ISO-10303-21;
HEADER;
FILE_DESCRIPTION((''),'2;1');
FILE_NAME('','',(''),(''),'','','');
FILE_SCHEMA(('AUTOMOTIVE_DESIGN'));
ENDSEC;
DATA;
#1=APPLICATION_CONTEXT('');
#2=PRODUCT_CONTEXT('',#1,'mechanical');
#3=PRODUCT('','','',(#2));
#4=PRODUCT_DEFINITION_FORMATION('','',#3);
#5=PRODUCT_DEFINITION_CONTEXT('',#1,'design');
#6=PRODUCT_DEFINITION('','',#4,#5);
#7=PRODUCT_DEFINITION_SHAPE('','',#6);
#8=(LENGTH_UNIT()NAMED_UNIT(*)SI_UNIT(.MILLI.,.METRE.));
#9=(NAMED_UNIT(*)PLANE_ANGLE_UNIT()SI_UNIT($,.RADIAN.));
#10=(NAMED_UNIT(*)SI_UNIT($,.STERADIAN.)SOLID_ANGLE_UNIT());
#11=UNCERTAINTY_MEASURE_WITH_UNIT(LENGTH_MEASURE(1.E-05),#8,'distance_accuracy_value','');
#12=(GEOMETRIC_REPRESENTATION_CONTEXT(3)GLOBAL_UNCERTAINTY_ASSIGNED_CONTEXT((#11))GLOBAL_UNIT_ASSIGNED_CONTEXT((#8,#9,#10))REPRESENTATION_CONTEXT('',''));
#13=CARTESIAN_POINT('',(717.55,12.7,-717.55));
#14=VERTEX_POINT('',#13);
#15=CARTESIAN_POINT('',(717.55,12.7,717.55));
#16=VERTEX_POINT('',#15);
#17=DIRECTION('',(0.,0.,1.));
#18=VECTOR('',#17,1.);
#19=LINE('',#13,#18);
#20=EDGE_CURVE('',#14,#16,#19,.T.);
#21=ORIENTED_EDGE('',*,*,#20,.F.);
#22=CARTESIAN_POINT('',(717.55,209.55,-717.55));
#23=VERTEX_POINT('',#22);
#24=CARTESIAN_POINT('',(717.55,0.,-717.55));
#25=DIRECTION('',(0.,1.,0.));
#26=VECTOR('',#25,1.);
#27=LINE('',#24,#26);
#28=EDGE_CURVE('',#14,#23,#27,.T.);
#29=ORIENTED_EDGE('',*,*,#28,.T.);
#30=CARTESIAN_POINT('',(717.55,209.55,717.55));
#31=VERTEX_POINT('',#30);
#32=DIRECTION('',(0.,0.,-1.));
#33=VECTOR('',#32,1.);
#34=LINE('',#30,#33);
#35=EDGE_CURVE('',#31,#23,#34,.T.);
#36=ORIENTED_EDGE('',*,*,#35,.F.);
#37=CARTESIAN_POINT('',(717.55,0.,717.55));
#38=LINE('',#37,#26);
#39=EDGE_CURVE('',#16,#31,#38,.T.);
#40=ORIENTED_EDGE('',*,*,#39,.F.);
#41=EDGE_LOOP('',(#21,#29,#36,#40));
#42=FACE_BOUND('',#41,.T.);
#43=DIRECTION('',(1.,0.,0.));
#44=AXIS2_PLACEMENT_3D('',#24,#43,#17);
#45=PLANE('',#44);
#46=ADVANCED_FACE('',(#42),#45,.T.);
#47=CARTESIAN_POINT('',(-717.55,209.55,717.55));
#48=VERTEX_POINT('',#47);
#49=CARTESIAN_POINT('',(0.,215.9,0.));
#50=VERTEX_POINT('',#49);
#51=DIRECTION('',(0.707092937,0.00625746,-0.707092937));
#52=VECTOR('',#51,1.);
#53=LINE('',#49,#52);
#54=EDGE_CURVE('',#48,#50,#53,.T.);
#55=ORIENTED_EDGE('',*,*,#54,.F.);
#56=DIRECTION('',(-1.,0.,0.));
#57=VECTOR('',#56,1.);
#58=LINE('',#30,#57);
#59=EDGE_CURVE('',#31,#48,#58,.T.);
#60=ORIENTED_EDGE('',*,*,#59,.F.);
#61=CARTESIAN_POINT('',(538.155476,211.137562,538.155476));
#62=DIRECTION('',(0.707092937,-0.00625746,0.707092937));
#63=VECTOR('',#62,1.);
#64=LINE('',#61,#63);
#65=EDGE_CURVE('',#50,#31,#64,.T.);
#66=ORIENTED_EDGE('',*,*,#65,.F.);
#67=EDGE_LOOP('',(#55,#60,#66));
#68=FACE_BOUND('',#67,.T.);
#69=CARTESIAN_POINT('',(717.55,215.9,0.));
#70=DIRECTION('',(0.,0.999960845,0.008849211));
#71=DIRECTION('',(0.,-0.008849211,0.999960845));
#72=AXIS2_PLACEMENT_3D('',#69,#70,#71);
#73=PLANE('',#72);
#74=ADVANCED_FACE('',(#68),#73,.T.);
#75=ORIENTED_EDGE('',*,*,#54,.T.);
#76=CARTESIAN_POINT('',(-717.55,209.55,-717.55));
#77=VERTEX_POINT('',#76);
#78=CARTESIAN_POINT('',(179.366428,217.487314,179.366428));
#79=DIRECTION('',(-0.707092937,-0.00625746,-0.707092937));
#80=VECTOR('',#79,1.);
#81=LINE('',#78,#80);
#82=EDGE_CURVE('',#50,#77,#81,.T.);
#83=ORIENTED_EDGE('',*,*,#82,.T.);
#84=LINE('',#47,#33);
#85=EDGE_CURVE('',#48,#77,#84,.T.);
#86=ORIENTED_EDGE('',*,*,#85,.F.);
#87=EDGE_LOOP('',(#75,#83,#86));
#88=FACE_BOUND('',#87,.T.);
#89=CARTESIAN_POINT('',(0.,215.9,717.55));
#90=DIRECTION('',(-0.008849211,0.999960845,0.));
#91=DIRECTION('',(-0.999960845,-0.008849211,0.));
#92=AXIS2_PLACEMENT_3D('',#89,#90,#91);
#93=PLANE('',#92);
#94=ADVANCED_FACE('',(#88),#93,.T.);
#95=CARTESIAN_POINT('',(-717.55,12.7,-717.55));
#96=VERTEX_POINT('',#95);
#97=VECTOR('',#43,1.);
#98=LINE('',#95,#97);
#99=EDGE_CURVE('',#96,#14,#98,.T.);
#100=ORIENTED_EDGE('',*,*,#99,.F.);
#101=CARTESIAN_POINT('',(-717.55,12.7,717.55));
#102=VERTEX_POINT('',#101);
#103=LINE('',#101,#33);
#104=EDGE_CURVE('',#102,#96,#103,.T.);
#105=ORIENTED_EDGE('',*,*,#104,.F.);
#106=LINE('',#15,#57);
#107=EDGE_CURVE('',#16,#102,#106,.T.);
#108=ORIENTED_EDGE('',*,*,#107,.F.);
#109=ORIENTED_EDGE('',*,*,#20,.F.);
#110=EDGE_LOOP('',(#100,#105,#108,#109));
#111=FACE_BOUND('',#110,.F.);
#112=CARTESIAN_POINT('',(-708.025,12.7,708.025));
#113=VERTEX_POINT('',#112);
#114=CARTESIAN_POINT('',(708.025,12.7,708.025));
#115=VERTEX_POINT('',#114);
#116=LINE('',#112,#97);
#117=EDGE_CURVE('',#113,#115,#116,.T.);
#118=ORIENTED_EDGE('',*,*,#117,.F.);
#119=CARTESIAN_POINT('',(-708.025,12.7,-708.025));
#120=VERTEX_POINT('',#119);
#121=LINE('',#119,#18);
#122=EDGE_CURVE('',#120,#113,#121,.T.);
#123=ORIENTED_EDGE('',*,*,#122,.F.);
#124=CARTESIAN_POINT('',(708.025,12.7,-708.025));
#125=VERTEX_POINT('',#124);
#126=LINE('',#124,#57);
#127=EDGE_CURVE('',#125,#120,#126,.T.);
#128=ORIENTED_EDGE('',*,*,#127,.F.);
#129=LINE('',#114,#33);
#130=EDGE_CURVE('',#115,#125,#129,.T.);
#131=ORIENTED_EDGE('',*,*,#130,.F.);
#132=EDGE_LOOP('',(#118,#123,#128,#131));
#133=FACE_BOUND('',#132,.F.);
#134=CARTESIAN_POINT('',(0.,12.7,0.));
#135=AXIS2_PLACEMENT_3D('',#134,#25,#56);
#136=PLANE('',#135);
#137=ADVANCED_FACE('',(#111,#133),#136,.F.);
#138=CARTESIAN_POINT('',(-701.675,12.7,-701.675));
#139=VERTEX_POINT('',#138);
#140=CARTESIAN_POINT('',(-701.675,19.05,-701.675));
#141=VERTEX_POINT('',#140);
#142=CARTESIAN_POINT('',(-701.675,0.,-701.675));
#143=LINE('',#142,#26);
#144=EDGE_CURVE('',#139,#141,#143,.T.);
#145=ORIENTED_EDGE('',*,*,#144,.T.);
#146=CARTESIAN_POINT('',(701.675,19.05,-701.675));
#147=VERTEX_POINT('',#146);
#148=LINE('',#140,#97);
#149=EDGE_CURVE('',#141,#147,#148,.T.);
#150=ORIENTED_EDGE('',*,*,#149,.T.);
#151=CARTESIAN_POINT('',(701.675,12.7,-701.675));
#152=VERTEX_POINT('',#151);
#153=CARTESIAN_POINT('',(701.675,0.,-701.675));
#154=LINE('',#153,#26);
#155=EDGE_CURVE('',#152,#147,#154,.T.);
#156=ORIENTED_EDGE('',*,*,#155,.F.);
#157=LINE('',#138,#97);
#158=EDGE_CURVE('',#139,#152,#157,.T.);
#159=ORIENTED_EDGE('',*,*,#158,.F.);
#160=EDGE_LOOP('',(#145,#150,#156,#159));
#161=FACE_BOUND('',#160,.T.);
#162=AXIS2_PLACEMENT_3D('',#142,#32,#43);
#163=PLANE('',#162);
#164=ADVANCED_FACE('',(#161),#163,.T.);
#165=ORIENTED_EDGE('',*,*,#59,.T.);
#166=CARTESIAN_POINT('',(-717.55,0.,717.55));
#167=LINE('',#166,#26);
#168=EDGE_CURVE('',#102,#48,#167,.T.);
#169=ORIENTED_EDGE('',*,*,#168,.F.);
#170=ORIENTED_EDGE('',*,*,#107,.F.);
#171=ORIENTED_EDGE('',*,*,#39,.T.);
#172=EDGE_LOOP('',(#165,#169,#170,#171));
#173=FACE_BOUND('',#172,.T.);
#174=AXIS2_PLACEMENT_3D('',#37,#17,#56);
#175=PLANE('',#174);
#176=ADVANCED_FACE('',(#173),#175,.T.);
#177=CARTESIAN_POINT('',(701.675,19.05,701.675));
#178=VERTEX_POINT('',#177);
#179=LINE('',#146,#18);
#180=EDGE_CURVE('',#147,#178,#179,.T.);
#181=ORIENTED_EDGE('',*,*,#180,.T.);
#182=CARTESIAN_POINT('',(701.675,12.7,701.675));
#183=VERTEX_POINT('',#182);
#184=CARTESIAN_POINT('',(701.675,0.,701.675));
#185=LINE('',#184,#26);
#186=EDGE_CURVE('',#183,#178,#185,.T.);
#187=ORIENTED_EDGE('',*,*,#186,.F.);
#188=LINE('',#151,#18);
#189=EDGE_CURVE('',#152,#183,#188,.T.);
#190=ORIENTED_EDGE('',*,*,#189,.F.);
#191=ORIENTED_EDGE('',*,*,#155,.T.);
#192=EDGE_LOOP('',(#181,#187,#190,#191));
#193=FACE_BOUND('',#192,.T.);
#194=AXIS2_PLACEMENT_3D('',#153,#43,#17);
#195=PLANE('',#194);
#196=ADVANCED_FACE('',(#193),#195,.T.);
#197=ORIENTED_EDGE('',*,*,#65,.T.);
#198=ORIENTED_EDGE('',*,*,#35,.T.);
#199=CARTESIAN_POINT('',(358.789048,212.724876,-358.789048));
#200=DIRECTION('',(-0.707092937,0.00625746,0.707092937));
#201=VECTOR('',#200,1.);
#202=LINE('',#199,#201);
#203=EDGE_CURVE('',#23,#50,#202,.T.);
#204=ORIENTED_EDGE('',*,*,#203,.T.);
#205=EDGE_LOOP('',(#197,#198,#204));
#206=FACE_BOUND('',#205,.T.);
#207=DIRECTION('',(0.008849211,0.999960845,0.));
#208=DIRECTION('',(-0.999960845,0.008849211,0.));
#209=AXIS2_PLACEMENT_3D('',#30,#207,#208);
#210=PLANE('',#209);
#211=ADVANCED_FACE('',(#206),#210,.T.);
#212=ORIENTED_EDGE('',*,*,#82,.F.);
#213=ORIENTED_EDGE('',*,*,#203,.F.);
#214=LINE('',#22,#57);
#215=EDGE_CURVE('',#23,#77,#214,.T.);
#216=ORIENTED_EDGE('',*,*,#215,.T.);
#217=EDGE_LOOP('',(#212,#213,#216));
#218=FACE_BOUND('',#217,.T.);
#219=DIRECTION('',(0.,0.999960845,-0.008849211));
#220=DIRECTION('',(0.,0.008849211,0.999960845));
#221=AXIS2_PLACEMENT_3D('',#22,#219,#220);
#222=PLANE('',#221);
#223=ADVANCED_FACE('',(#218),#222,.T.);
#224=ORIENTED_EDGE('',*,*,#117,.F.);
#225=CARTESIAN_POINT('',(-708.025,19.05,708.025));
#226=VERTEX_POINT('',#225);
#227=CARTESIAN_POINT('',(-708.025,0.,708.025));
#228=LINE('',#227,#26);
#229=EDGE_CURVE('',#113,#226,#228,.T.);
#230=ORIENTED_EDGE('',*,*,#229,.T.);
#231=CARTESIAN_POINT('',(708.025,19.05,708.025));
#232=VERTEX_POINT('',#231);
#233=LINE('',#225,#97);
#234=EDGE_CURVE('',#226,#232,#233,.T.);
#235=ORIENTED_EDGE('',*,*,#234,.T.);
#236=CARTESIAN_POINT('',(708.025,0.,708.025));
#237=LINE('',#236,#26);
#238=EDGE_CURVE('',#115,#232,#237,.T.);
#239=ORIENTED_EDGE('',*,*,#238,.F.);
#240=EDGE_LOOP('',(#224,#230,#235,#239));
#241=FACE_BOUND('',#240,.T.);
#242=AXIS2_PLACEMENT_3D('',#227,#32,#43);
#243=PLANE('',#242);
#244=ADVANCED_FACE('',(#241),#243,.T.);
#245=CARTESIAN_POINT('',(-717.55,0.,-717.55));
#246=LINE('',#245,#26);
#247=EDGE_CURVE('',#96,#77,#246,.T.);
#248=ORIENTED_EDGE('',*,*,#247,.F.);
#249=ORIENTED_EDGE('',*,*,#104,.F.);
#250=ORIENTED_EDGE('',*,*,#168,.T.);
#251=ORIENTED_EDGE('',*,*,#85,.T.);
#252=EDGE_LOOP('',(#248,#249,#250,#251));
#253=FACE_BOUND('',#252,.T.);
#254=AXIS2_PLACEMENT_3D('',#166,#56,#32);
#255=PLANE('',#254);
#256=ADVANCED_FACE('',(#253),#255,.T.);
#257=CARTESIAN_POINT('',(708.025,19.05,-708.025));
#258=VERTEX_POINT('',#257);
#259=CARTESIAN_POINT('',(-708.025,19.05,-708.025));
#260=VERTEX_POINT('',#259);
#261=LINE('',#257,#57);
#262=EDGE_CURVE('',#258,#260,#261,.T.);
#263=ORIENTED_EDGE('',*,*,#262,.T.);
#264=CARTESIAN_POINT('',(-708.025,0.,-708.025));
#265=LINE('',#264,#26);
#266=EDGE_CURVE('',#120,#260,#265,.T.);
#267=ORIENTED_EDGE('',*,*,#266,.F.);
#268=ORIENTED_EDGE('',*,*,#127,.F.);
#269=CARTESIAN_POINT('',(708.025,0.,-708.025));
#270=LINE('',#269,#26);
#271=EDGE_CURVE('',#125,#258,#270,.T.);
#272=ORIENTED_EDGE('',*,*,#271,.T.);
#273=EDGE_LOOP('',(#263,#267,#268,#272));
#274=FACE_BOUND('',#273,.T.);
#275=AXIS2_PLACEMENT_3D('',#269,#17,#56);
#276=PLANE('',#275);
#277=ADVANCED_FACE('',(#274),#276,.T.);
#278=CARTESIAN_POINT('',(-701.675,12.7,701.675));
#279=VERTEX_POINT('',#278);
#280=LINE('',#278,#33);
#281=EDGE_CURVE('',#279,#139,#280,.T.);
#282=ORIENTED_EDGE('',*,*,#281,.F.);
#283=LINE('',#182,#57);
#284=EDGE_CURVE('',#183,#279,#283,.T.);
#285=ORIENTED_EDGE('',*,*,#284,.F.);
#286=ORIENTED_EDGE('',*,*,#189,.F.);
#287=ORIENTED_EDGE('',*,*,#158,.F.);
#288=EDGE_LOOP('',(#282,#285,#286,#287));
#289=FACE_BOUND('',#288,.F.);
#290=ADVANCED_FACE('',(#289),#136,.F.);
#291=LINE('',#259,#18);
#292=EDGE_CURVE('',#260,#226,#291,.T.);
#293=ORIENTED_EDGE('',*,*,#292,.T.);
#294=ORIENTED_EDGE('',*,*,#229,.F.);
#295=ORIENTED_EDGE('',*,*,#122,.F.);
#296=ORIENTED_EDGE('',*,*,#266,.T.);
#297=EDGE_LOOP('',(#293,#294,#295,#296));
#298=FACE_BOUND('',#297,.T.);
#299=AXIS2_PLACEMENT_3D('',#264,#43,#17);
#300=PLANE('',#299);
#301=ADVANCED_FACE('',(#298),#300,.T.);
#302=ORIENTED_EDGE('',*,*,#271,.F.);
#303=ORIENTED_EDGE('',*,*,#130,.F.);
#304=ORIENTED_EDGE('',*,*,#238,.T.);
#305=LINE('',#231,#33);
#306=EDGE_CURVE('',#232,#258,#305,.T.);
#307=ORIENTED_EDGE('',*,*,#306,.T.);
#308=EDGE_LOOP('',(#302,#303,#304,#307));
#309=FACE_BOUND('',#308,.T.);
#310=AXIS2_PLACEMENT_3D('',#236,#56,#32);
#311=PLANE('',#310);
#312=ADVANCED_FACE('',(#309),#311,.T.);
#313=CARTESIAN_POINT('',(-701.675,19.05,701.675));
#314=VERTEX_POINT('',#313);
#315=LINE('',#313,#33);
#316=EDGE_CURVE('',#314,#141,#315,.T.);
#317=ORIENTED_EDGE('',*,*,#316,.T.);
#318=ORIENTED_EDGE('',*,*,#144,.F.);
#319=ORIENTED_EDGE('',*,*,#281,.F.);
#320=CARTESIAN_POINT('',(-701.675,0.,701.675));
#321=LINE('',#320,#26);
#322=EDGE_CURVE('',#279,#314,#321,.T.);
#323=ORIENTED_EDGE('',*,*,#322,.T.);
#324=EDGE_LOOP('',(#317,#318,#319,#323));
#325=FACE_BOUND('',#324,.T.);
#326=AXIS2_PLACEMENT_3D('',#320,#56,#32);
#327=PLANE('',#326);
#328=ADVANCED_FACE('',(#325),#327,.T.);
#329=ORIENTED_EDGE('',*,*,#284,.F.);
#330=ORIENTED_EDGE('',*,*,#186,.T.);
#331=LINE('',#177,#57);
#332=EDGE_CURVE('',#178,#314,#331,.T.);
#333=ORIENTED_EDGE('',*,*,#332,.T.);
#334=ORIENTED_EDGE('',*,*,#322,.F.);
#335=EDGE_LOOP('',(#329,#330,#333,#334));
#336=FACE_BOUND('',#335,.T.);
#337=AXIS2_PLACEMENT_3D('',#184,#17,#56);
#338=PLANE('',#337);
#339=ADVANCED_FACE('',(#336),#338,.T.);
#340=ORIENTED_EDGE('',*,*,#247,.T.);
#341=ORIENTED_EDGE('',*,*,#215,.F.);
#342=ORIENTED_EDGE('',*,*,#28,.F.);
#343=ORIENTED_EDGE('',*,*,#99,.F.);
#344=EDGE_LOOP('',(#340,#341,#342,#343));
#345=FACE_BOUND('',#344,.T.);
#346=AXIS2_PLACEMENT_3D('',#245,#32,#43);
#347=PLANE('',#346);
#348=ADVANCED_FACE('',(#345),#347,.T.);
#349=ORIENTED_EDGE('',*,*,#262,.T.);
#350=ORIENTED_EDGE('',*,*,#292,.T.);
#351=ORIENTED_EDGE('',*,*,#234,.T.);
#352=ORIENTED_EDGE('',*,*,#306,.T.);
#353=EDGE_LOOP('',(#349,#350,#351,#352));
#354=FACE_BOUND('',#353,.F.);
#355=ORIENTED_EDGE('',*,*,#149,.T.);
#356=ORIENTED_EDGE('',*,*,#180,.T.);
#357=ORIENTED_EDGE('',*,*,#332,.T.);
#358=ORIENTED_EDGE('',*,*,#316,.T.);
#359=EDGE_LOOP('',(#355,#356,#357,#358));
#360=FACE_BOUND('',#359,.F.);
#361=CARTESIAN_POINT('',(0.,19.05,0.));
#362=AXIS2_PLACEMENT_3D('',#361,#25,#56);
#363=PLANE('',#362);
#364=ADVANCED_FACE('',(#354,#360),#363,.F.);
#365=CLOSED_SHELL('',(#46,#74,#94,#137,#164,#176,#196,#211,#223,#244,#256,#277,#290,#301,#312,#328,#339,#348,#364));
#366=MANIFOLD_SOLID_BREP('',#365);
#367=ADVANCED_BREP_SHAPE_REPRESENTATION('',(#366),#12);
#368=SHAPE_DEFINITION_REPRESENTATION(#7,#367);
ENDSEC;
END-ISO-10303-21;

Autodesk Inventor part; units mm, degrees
ref_plane "YZ Plane" through (0, 0, 0) normal (1, 0, 0) x (0, 1, 0)
ref_plane "XZ Plane" through (0, 0, 0) normal (0, 1, 0) x (-1, 0, 0)
ref_plane "XY Plane" through (0, 0, 0) normal (0, 0, 1) x (1, 0, 0)
sketch "Sketch1" plane through (0, 0, 0) normal (0, 1, 0) x (-1, 0, 0)
  line L0 (717.55, -717.55) -> (-717.55, -717.55)
  line L1 (-717.55, -717.55) -> (-717.55, 717.55)
  line L2 (-717.55, 717.55) -> (717.55, 717.55)
  line L3 (717.55, 717.55) -> (717.55, -717.55)
  line L4 (717.55, -717.55) -> (-717.55, 717.55) construction
  line L5 (-717.55, -717.55) -> (717.55, 717.55) construction
  line L6 (-708.025, -708.025) -> (708.025, -708.025)
  line L7 (708.025, -708.025) -> (708.025, 708.025)
  line L8 (708.025, 708.025) -> (-708.025, 708.025)
  line L9 (-708.025, 708.025) -> (-708.025, -708.025)
  line L10 (701.675, -701.675) -> (-701.675, -701.675)
  line L11 (-701.675, -701.675) -> (-701.675, 701.675)
  line L12 (-701.675, 701.675) -> (701.675, 701.675)
  line L13 (701.675, 701.675) -> (701.675, -701.675)
  point P0 (0, 0)
  dimension "d0" = 1435.1
  dimension "d1" = 1435.1
  dimension "d2" = 9.525
  dimension "d3" = 6.35
extrude "Extrusion1" add sketch "Sketch1" along normal blind 215.9 contours L0 L1 L2 L3 | L9 L8 L7 L6 | L10 L11 L12 L13
sketch "Sketch2" plane through (-717.55, 0, 717.55) normal (0, 0, 1) x (1, 0, 0)
  line L0 (0, 0) -> (1435.1, 0) projected
  line L1 (1435.1, 0) -> (1435.1, 215.9) projected
  line L2 (0, 215.9) -> (1435.1, 215.9) projected
  line L3 (0, 0) -> (0, 215.9) projected
  line L4 (0, 215.9) -> (1435.1, 215.9) projected
  line L5 (717.55, 215.9) -> (0, 209.55)
  line L6 (0, 215.9) -> (0, 209.55)
  line L7 (0, 0) -> (0, 215.9) projected
  line L8 (0, 215.9) -> (717.55, 215.9)
  line L9 (717.55, 215.9) -> (1435.1, 215.9)
  line L10 (1435.1, 0) -> (1435.1, 215.9) projected
  line L11 (1435.1, 215.9) -> (1435.1, 209.55)
  line L12 (1435.1, 209.55) -> (717.55, 215.9)
  point P0 (717.55, 0)
  dimension "d6" = 6.35
  dimension "d7" = 6.35
sketch "Sketch3" plane through (717.55, 0, 717.55) normal (1, 0, 0) x (0, 0, -1)
  line L0 (0, 0) -> (1435.1, 0) projected
  line L1 (1435.1, 0) -> (1435.1, 215.9) projected
  line L2 (0, 215.9) -> (1435.1, 215.9) projected
  line L3 (0, 0) -> (0, 215.9) projected
  line L4 (0, 215.9) -> (1435.1, 215.9) projected
  line L5 (717.55, 215.9) -> (0, 209.55)
  line L6 (0, 0) -> (0, 215.9) projected
  line L7 (0, 215.9) -> (0, 209.55)
  line L8 (0, 215.9) -> (717.55, 215.9)
  line L9 (717.55, 215.9) -> (1435.1, 215.9)
  line L10 (1435.1, 0) -> (1435.1, 215.9) projected
  line L11 (1435.1, 215.9) -> (1435.1, 209.55)
  line L12 (1435.1, 209.55) -> (717.55, 215.9)
  point P0 (717.55, 0)
  point P1 (0, 209.55)
  dimension "d8" = 6.35
  dimension "d9" = 6.35
extrude "Extrusion2" cut sketch "Sketch2" against normal through all contours L3 L2 L5 | L12 L2 L1
extrude "Extrusion3" cut sketch "Sketch3" against normal through all contours L3 L2 L5 | L12 L2 L1
extrude "Extrusion4" cut sketch "Sketch1" along normal blind 19.05 contours L9 L8 L7 L6
extrude "Extrusion5" cut sketch "Sketch1" along normal blind 12.7
properties part number "D - Cap - 2" material "Granite, Cut, Polished"
